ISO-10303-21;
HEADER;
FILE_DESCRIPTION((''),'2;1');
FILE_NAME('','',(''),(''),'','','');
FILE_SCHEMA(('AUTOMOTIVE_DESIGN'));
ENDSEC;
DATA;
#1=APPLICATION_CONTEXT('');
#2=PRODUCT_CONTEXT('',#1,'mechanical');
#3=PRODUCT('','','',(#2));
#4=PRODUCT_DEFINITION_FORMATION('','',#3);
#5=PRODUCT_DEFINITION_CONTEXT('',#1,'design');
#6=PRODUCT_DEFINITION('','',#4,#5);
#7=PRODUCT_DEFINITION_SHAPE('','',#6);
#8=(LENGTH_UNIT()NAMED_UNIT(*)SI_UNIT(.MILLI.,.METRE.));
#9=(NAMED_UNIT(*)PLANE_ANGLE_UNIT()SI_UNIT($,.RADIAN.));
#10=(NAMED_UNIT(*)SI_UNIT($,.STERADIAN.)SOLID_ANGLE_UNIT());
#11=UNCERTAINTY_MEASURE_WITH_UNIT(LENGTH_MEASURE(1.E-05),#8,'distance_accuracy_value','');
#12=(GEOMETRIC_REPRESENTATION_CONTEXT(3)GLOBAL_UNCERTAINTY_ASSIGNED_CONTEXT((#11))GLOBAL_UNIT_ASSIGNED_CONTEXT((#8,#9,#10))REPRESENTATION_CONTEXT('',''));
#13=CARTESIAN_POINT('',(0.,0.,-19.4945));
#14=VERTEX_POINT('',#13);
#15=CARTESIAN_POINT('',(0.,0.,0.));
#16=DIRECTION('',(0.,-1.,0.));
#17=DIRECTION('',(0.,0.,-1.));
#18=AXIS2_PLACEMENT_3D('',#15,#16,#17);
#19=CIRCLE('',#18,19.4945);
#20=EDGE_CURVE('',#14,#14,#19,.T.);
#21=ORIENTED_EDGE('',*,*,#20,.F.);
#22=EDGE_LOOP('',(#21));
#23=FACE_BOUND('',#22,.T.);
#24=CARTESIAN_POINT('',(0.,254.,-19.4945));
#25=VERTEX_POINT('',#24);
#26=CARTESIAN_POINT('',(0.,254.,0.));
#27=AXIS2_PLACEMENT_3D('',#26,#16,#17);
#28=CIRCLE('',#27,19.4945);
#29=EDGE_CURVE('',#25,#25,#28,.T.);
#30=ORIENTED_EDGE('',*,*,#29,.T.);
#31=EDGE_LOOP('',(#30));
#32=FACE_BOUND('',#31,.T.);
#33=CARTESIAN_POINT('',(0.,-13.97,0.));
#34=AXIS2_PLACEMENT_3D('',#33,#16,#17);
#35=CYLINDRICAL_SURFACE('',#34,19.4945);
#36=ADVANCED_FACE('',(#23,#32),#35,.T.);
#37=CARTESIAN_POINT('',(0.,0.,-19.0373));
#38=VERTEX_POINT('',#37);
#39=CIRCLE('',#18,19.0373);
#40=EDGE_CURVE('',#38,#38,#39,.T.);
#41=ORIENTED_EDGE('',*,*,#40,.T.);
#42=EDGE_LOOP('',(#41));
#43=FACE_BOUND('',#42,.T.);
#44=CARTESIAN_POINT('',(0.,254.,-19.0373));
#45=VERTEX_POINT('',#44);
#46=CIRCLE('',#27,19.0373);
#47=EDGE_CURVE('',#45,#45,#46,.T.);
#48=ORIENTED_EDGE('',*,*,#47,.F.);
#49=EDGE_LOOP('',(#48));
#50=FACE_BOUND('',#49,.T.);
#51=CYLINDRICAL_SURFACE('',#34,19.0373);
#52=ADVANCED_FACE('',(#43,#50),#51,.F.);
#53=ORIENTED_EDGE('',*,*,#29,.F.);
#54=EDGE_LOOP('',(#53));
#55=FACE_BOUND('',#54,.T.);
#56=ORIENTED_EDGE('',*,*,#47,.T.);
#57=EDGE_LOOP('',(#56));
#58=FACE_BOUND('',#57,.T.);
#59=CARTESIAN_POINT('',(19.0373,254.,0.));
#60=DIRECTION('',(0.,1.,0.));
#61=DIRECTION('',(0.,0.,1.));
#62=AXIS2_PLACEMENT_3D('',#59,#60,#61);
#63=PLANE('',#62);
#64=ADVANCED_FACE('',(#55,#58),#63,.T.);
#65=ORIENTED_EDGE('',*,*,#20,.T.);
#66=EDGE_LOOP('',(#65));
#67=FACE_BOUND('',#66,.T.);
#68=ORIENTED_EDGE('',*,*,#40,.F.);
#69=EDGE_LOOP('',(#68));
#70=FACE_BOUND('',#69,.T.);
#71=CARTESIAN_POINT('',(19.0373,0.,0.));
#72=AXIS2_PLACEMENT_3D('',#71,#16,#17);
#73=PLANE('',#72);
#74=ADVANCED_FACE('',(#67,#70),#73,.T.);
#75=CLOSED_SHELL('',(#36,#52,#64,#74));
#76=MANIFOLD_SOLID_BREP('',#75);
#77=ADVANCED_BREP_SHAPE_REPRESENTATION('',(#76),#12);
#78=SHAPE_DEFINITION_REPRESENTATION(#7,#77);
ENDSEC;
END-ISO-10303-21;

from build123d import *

# Parameters (mm, degrees)
SKETCH1_W = 0.4572
SKETCH1_H = 254


with BuildPart() as part:
    # Sketch1 → Revolve1 (revolve)
    with BuildSketch(Plane.XY):
        with Locations((19.2659, 127)):
            Rectangle(SKETCH1_W, SKETCH1_H)
    revolve(axis=Axis((0, -13.97, 0), (0, 1, 0)))


solid = part.part
